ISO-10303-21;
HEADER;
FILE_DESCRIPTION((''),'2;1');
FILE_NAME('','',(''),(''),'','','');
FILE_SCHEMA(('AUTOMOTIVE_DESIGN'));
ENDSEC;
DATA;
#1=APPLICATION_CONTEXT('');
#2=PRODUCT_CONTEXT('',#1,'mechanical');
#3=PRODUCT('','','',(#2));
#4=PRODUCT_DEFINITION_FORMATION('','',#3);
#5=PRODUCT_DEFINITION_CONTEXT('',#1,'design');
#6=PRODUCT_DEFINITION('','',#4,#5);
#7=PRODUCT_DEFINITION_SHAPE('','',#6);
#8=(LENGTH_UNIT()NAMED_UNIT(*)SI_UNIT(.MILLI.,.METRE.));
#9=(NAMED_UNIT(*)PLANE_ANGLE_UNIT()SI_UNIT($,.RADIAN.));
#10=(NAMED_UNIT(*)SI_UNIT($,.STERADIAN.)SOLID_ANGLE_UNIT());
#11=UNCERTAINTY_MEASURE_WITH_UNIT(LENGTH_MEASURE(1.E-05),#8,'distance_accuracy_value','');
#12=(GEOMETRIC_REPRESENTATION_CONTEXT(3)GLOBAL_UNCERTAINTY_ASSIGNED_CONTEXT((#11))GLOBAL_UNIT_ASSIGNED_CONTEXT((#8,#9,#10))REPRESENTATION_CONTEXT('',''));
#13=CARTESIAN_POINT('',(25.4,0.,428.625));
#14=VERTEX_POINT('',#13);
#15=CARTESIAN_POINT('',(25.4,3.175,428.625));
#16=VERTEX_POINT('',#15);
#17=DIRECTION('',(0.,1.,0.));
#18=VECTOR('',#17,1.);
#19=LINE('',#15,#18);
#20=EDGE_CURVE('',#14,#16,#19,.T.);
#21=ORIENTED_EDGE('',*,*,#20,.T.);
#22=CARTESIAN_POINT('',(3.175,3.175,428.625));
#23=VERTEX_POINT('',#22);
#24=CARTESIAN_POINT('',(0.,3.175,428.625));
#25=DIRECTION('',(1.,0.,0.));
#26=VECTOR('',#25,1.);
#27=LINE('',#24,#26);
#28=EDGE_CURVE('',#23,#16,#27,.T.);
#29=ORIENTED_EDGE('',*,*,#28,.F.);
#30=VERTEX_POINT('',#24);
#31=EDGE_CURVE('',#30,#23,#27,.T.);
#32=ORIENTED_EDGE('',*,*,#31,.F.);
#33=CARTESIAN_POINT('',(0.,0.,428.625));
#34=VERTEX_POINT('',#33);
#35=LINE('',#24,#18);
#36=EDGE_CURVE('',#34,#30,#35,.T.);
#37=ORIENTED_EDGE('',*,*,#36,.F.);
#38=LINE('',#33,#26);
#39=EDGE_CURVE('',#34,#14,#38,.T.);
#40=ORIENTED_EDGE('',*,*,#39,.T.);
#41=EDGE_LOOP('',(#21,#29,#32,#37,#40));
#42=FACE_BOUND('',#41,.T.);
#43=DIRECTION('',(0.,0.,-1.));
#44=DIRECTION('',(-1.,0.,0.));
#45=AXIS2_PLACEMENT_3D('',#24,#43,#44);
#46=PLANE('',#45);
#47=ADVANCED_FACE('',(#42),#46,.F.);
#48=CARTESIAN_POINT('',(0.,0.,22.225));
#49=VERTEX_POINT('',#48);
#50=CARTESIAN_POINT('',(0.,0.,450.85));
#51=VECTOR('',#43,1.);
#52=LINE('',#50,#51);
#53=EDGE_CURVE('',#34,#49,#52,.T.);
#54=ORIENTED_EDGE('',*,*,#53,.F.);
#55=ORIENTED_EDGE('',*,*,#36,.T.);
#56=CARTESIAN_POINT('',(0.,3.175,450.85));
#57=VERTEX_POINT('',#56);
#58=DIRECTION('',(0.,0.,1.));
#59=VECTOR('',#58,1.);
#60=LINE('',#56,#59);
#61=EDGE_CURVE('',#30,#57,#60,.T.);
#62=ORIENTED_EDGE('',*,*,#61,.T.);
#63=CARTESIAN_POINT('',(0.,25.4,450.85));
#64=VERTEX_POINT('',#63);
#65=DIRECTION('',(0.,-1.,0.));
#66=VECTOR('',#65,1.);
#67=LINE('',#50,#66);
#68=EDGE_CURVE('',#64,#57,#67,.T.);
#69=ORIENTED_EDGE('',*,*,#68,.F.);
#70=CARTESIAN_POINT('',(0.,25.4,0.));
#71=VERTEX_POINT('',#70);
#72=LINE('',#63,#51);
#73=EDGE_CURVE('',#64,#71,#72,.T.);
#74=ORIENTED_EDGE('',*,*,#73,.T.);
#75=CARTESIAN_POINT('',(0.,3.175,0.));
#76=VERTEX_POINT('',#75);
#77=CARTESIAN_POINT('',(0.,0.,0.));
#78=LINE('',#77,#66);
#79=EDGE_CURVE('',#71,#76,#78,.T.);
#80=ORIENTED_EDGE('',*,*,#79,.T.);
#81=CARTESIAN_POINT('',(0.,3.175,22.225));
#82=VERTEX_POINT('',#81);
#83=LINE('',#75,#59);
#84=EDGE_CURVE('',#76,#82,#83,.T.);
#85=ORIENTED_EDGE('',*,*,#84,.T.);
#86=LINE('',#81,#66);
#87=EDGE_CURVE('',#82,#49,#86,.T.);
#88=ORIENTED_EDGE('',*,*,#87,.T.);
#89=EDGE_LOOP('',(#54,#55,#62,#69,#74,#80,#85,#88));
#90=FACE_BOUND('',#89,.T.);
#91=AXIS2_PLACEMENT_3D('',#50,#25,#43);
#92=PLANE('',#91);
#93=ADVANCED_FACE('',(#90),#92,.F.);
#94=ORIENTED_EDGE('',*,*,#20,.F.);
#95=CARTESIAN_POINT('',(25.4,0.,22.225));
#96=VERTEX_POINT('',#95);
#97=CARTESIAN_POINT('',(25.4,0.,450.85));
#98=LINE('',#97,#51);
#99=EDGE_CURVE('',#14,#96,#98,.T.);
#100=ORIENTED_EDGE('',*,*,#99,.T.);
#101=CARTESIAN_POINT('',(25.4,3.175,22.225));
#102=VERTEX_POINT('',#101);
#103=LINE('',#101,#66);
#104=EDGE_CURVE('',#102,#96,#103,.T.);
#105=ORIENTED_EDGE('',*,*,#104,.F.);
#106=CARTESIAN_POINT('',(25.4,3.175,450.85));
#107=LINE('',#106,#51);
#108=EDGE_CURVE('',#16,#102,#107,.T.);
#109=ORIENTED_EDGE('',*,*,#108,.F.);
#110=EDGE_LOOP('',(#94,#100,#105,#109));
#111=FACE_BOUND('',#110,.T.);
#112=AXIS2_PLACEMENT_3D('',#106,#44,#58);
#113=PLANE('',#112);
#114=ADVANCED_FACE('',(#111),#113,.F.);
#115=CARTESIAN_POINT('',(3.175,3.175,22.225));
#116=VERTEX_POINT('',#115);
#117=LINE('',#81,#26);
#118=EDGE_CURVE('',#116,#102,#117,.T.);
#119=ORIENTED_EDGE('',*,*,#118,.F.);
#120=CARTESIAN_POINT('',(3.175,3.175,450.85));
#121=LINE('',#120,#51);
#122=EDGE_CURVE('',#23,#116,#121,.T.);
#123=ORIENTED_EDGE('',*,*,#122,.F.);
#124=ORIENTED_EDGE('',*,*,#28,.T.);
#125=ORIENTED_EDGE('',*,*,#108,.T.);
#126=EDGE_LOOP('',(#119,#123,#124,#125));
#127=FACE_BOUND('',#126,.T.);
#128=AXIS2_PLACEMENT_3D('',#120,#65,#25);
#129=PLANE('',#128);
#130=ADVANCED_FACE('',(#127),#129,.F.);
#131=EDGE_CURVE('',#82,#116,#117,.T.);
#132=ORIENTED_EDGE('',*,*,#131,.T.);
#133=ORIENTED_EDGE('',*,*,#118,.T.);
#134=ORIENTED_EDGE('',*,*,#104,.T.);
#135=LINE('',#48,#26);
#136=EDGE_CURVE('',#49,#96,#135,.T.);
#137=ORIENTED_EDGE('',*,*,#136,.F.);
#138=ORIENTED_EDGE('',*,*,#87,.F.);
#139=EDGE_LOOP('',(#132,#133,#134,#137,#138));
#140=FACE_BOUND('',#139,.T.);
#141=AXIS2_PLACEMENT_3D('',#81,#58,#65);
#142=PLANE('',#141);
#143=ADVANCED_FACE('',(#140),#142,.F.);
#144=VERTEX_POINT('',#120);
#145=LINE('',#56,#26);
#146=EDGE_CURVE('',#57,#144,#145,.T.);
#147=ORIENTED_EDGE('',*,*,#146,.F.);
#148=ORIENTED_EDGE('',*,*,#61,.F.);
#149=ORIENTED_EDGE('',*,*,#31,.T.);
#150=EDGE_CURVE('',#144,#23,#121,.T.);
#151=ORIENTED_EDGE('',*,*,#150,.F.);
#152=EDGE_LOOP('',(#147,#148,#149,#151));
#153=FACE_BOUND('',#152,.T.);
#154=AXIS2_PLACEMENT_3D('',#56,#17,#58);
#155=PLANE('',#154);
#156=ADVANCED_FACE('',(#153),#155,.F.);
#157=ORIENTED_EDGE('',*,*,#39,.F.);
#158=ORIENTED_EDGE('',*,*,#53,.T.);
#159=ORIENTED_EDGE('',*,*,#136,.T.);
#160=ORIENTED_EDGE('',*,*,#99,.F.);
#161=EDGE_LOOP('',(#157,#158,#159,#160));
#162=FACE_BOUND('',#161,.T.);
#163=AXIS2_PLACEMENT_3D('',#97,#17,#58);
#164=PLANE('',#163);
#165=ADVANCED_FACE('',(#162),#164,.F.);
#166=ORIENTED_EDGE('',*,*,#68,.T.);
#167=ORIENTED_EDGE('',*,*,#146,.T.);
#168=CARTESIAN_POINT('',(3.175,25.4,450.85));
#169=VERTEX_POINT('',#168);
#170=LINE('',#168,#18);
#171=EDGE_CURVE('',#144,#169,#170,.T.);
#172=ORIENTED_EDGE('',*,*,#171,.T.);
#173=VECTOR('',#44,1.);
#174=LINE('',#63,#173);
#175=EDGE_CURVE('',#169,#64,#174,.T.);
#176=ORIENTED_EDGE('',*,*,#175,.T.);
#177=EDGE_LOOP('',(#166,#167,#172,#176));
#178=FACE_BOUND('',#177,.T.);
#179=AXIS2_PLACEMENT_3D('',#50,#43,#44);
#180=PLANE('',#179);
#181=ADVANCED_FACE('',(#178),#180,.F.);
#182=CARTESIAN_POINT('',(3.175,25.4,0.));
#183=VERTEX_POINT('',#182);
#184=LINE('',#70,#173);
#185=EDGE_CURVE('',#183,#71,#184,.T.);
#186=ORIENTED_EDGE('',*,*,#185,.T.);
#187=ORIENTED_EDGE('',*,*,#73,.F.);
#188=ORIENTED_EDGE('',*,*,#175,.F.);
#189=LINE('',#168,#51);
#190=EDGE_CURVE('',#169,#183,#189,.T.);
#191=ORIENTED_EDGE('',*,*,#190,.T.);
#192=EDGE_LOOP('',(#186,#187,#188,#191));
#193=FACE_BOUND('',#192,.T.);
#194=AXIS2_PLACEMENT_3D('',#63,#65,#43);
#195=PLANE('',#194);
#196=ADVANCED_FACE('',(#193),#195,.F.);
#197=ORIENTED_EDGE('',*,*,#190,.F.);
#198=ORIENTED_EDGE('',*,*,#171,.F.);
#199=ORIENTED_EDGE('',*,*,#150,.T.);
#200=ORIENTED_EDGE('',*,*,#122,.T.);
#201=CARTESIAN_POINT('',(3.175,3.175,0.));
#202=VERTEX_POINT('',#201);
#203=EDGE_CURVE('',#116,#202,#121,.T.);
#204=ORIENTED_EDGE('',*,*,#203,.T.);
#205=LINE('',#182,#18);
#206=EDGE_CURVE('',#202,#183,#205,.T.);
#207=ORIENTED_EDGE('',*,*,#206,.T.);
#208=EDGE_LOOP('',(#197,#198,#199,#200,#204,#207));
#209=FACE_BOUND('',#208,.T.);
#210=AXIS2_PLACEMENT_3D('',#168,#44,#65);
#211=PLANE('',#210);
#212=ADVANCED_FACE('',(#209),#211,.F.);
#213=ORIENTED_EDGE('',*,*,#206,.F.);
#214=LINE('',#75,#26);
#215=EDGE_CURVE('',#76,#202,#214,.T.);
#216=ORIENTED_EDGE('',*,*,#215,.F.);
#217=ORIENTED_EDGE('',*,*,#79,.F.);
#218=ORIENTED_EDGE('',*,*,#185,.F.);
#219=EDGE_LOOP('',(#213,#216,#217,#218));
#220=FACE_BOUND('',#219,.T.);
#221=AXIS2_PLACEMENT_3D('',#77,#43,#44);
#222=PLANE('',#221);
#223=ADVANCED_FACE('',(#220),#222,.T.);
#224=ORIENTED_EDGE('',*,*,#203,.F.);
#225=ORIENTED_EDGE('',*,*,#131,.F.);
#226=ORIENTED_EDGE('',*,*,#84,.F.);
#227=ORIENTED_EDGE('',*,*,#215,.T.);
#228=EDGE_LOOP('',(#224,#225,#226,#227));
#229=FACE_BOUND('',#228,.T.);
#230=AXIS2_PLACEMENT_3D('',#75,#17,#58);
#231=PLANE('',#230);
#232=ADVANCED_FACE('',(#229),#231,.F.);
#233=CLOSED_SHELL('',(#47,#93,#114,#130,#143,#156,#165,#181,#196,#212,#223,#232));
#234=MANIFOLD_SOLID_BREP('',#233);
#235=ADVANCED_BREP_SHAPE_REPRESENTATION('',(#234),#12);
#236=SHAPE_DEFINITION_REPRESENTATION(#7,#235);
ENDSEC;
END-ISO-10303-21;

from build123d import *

# Parameters (mm, degrees)
BOSS_EXTRUDE1_DEPTH = 450.85
SKETCH2_W           = 22.225
SKETCH2_H           = 3.175
CUT_EXTRUDE1_DEPTH  = 26.4


with BuildPart() as part:
    # Sketch1 → Boss-Extrude1 (new body)
    with BuildSketch(Plane.XY):
        Polygon((0, 0), (0, 25.4), (3.175, 25.4), (3.175, 3.175), (25.4, 3.175), (25.4, 0), align=None)
    extrude(amount=BOSS_EXTRUDE1_DEPTH)

    # Sketch2 → Cut-Extrude1 (cut, through all)
    with BuildSketch(Plane(origin=(25.4, 0, 0), x_dir=(0, 0, -1), z_dir=(1, 0, 0))):
        with Locations((-439.7375, 1.5875)):
            Rectangle(SKETCH2_W, SKETCH2_H)
        with Locations((-11.1125, 1.5875)):
            Rectangle(SKETCH2_W, SKETCH2_H)
    extrude(amount=-CUT_EXTRUDE1_DEPTH, mode=Mode.SUBTRACT)


solid = part.part
